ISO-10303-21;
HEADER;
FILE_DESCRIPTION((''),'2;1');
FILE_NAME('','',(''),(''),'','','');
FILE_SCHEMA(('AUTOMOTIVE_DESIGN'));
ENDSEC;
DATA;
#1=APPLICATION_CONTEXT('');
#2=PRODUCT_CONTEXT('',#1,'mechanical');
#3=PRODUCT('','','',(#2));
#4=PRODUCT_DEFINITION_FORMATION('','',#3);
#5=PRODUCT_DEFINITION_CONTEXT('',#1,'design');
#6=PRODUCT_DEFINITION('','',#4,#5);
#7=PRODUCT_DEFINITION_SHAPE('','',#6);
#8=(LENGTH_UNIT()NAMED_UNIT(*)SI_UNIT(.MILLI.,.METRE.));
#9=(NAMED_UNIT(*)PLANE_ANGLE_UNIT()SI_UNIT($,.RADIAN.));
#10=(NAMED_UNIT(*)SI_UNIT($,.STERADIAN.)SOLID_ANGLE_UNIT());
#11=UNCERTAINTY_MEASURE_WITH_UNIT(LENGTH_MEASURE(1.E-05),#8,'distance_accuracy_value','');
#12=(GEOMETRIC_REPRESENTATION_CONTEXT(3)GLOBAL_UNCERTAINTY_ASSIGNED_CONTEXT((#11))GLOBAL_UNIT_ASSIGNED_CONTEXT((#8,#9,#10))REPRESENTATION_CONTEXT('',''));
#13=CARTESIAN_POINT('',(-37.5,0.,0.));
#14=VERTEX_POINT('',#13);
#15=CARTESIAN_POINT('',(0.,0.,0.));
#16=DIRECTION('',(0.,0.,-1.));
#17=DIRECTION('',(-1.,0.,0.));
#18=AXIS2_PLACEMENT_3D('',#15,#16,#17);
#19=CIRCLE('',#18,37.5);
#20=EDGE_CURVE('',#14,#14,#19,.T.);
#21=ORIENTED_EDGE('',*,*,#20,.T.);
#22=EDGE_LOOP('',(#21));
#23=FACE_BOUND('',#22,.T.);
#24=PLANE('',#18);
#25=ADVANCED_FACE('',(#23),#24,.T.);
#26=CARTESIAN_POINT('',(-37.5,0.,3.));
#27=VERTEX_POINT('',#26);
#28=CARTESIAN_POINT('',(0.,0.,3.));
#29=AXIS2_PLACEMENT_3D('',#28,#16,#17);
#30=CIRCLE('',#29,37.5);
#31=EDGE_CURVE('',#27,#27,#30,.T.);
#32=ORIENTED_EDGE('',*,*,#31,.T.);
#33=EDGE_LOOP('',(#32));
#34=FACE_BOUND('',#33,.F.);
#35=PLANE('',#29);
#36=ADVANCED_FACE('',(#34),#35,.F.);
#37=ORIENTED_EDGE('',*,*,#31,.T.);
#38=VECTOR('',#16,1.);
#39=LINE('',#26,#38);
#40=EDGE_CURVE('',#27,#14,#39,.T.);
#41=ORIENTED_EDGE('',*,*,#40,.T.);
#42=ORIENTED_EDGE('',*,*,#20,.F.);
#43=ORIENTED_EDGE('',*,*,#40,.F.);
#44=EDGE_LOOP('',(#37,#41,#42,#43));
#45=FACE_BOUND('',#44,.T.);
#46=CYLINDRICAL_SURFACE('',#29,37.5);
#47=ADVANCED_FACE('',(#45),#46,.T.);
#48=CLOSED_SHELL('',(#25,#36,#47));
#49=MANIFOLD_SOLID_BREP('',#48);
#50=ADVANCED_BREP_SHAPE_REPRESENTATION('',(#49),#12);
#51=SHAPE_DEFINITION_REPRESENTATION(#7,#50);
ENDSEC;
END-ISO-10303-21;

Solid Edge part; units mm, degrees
sketch "Sketch1" plane through (0, 0, 0) normal (0, -1, 0) x (1, 0, 0)
  line L0 (-37.5, 3) -> (-37.5, 0)
  line L1 (-37.5, 0) -> (0, 0)
  line L2 (-37.5, 3) -> (0, 3)
  dimension "D1" = 3
revolve "RevolvedProtrusion1" add sketch "Sketch1" angle 360 about axis through (0, 0, 2) along (0, 0, -1)
